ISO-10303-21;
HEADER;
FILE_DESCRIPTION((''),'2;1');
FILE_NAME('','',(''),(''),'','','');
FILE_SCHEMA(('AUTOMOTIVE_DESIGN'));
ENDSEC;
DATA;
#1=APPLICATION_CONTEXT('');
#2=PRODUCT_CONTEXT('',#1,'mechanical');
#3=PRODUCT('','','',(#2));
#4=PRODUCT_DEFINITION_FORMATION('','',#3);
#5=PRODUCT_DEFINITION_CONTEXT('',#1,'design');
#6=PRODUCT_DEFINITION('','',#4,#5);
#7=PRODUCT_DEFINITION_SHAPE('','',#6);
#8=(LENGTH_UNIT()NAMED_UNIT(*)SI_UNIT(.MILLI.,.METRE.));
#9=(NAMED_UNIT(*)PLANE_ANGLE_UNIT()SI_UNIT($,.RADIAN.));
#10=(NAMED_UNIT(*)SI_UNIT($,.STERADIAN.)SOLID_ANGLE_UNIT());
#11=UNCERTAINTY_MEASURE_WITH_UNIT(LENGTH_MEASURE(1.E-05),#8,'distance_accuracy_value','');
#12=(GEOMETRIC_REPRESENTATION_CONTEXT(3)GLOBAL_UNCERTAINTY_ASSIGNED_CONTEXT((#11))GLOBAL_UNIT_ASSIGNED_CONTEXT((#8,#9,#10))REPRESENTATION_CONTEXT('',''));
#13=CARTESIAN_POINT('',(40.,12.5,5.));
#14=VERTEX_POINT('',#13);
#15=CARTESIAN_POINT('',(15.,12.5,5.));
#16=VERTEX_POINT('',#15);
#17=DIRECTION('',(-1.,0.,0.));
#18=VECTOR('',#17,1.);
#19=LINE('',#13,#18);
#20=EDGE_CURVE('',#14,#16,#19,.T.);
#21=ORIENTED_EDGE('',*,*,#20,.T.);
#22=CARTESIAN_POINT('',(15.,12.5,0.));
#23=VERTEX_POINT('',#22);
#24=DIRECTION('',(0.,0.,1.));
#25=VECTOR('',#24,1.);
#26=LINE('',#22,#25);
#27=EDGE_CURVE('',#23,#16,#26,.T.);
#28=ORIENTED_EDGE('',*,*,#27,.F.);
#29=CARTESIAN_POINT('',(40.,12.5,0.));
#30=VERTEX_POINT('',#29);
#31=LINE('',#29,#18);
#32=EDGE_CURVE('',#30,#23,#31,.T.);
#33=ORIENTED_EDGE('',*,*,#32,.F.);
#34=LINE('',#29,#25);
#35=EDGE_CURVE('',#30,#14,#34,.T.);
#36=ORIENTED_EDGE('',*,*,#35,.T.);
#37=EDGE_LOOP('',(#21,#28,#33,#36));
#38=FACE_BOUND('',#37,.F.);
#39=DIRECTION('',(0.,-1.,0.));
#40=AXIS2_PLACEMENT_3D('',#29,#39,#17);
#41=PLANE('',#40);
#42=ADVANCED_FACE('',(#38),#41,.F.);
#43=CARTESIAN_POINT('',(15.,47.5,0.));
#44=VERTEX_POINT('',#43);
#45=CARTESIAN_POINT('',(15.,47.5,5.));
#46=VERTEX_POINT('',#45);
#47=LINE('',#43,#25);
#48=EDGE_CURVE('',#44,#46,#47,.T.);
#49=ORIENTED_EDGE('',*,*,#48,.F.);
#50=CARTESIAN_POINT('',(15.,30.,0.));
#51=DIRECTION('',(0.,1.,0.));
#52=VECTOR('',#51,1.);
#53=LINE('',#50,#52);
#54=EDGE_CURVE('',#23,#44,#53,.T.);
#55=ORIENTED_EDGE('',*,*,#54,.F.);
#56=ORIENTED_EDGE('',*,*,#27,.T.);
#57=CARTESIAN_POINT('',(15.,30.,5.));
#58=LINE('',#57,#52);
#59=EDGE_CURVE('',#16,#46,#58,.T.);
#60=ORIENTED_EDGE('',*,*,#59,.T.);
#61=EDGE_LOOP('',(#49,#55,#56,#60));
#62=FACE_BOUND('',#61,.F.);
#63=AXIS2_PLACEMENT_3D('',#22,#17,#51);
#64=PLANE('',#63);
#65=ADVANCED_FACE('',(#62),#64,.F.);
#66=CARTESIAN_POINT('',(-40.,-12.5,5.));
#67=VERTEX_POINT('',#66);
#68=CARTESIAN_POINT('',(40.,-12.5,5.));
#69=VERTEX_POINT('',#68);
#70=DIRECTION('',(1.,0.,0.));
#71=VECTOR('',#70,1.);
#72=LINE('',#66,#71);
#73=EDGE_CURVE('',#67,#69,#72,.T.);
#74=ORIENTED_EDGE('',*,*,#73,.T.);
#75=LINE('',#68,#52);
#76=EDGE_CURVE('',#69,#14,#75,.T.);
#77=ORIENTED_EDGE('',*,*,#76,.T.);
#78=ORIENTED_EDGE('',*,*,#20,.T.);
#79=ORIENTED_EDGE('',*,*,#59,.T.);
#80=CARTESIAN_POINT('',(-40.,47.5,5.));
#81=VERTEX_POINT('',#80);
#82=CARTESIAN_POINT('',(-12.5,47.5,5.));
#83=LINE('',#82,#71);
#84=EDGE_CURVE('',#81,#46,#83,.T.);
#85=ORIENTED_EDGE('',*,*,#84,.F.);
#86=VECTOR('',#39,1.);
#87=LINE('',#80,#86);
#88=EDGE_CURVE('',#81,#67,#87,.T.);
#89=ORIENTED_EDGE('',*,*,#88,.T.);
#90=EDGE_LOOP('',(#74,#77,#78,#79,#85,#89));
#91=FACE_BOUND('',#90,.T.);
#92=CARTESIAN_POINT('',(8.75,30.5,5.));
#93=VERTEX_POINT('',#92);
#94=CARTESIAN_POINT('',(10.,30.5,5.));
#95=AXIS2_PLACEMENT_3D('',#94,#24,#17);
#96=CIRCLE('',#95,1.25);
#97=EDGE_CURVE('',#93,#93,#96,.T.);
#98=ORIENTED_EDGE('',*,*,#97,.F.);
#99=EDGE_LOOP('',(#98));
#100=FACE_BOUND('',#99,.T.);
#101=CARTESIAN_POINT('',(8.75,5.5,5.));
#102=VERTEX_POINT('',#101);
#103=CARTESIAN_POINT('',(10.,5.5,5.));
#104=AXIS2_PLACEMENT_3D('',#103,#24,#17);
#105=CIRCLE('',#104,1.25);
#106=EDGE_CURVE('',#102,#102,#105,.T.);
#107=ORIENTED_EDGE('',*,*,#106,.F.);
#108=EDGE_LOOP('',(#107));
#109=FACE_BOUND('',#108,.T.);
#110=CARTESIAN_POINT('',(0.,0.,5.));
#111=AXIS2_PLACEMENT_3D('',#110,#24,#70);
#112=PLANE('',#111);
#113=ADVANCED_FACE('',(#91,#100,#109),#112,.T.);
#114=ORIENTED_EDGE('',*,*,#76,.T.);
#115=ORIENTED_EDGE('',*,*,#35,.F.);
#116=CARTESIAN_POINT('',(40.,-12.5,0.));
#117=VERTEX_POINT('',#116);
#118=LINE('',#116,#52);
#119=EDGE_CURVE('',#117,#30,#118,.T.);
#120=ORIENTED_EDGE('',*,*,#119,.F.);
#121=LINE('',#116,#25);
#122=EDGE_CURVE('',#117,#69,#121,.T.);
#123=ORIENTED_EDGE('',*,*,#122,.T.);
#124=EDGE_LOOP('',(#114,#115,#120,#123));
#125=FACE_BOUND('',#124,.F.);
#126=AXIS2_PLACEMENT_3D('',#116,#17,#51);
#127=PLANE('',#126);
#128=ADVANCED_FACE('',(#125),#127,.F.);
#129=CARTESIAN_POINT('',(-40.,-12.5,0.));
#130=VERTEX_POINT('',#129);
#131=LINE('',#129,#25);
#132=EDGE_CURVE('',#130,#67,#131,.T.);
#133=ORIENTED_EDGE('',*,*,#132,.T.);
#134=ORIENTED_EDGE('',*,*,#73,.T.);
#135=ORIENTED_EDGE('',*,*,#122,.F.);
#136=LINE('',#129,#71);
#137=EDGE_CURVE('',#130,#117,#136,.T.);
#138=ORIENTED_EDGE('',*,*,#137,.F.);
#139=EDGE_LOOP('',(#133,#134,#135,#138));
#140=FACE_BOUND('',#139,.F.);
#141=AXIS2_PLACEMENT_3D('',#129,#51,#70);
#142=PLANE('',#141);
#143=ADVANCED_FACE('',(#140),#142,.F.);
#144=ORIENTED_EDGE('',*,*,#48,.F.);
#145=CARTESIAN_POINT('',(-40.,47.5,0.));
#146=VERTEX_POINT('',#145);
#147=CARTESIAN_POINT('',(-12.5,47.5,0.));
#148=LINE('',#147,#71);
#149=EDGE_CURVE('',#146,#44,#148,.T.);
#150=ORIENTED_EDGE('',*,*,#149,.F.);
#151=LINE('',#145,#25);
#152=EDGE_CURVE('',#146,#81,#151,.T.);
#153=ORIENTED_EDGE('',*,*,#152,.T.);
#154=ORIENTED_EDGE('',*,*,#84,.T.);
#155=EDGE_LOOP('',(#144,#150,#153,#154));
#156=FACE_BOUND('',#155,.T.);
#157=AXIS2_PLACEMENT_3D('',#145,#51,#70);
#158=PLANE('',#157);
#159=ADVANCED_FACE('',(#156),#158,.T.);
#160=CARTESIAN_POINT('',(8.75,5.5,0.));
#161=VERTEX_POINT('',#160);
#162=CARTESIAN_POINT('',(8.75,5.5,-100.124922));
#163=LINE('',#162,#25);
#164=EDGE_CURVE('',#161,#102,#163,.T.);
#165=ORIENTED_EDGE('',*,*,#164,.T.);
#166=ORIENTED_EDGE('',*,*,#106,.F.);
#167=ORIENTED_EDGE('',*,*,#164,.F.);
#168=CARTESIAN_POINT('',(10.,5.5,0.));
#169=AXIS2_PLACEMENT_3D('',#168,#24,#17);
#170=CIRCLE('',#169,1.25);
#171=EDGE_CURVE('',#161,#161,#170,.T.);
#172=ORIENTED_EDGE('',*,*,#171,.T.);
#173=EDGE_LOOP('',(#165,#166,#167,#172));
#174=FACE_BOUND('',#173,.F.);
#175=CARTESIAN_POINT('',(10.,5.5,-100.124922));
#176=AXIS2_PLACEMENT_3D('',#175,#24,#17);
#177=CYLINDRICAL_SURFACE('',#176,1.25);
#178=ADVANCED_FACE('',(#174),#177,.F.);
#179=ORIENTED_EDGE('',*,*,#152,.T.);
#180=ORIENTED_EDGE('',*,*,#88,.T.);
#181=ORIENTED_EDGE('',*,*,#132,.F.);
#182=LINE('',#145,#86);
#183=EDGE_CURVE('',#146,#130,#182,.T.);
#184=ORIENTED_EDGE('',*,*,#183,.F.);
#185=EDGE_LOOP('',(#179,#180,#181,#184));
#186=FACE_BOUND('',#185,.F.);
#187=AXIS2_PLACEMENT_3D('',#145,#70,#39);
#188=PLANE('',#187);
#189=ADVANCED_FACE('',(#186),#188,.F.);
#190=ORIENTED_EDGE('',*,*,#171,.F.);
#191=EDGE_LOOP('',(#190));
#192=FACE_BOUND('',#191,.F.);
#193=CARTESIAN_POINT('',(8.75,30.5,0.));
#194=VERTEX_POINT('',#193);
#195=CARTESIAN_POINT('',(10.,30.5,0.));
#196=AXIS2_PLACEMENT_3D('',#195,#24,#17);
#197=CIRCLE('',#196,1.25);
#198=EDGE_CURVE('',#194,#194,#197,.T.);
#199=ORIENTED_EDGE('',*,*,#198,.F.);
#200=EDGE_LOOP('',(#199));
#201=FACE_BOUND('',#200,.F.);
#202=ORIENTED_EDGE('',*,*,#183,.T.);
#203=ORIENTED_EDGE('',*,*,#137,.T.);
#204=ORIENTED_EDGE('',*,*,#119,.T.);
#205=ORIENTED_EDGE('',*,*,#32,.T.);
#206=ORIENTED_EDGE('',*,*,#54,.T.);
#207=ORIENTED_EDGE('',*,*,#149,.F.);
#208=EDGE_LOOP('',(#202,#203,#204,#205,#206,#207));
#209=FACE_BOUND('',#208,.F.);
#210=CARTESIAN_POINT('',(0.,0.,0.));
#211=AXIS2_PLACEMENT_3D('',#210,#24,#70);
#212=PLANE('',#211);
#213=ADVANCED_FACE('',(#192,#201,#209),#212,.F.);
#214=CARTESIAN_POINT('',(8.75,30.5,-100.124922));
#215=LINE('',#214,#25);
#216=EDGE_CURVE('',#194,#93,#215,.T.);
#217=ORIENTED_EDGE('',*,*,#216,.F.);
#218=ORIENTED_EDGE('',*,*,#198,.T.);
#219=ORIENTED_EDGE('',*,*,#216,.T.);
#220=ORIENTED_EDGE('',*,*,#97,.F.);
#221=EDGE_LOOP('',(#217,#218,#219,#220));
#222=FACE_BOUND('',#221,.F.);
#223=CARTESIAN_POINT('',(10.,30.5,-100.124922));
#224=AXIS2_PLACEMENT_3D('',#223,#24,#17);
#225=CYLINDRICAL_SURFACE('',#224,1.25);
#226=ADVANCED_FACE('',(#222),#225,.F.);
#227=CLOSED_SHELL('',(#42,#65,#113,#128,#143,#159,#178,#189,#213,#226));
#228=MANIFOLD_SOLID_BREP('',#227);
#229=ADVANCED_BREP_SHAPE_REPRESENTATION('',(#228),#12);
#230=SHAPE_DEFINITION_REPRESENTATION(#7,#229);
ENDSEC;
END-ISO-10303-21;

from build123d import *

# Parameters (mm, degrees)
F0_R     = 3.6119557111
F0_W     = 55
F0_H     = 35
F0_R_2   = 3.1202070356
F1_DEPTH = 5
F2_D     = 2.5


with BuildPart() as f1:
    # F0 (on Top) → F1 (new body)
    with BuildSketch(Plane.XY):
        Polygon((15, 12.5), (-40, 12.5), (-40, -12.5), (40, -12.5), (40, 12.5), align=None)
        with Locations((10, 5.5)):
            Circle(F0_R, mode=Mode.SUBTRACT)
        with Locations((-12.5, 30)):
            Rectangle(F0_W, F0_H)
        with Locations((10, 30.5)):
            Circle(F0_R_2, mode=Mode.SUBTRACT)
        with Locations((10, 30.5)):
            Circle(F0_R_2)
        with Locations((10, 5.5)):
            Circle(F0_R)
    extrude(amount=F1_DEPTH)

    # F2 (through all)
    with Locations(Plane(origin=(0, 0, 0), x_dir=(1, 0, 0), z_dir=(0, 0, -1))):
        with Locations((10, -30.5), (10, -5.5)):
            Hole(F2_D / 2)


solid = f1.part
